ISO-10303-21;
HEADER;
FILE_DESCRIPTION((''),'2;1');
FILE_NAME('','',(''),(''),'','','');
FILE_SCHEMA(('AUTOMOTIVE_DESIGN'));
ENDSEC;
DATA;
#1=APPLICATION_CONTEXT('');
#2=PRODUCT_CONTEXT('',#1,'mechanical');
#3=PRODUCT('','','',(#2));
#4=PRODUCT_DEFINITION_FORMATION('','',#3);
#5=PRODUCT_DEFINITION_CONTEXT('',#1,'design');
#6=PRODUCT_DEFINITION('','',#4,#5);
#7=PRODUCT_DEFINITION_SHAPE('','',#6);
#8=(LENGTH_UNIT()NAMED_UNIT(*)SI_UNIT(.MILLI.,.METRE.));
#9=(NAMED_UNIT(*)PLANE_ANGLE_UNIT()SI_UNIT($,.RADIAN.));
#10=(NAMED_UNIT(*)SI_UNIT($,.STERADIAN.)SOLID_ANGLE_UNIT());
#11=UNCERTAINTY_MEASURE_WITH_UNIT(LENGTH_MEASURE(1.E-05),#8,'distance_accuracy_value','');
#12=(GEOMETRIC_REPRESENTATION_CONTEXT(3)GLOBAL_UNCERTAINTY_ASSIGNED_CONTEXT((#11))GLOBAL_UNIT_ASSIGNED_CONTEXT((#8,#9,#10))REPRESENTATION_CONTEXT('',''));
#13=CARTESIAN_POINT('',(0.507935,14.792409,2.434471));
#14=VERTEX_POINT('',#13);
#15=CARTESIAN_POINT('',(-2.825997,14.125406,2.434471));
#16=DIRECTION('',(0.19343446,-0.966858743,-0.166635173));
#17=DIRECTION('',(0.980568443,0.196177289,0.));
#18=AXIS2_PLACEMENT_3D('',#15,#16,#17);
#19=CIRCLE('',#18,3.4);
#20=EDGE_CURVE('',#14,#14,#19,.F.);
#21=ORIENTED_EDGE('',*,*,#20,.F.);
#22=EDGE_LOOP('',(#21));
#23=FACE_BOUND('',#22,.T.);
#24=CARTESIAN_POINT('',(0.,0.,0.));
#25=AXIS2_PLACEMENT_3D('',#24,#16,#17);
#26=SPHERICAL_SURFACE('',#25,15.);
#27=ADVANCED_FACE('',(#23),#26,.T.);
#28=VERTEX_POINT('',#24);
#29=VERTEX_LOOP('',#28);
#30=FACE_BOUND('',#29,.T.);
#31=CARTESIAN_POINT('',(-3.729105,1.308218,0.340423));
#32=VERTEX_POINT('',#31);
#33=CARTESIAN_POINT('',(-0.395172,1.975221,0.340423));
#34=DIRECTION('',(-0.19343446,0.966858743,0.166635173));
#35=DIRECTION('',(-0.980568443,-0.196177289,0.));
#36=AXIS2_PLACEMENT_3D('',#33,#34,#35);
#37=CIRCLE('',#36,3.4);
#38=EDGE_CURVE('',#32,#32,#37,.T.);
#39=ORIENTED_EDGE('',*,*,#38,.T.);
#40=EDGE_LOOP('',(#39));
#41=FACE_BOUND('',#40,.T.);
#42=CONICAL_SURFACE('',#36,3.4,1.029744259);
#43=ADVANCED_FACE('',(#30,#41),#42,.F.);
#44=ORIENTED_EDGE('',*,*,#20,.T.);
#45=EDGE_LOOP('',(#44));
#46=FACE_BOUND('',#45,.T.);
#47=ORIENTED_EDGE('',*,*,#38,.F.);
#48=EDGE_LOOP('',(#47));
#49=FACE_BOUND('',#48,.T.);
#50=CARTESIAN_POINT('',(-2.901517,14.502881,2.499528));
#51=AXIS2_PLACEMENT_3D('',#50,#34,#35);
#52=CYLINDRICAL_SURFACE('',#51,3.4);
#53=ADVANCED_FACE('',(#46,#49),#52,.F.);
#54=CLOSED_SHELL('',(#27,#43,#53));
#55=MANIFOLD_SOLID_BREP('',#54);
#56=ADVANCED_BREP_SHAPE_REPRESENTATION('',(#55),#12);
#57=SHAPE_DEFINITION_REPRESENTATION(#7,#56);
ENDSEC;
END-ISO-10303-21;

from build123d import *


with BuildPart() as part:
    # Schizzo1 → Rivoluzione1 (revolve)
    with BuildSketch(Plane.XY):
        with BuildLine():
            Line((0.663556424, 14.985315908), (-0.663556424, -14.985315908))
            ThreePointArc((-0.663556424, -14.985315908), (-14.985315908, 0.663556424), (0.663556424, 14.985315908))
        make_face()
    revolve(axis=Axis((0.663556424, 14.985315908, 0), (-0.044237094932313946, -0.999021060554756, 0)))

    # Schizzo2 → Preforo da maschiare M8x1.25-1 (revolve, cut)
    with BuildSketch(Plane(origin=(-2.901516903, 14.502881143, 2.499527597), x_dir=(-0.680275757507728, -0.2545587908916996, 0.6873315908111914), z_dir=(0.7069710060228755, 0.019595746630497193, 0.7069710060228757))):
        Polygon((0, 0), (0, 15), (3.4, 12.957073895), (3.4, 0), align=None)
    revolve(axis=Axis((-4.129825725, 20.642434161, 3.557660946), (0.1934344601933443, -0.9668587428853035, -0.16663517310568068)), mode=Mode.SUBTRACT)


solid = part.part
